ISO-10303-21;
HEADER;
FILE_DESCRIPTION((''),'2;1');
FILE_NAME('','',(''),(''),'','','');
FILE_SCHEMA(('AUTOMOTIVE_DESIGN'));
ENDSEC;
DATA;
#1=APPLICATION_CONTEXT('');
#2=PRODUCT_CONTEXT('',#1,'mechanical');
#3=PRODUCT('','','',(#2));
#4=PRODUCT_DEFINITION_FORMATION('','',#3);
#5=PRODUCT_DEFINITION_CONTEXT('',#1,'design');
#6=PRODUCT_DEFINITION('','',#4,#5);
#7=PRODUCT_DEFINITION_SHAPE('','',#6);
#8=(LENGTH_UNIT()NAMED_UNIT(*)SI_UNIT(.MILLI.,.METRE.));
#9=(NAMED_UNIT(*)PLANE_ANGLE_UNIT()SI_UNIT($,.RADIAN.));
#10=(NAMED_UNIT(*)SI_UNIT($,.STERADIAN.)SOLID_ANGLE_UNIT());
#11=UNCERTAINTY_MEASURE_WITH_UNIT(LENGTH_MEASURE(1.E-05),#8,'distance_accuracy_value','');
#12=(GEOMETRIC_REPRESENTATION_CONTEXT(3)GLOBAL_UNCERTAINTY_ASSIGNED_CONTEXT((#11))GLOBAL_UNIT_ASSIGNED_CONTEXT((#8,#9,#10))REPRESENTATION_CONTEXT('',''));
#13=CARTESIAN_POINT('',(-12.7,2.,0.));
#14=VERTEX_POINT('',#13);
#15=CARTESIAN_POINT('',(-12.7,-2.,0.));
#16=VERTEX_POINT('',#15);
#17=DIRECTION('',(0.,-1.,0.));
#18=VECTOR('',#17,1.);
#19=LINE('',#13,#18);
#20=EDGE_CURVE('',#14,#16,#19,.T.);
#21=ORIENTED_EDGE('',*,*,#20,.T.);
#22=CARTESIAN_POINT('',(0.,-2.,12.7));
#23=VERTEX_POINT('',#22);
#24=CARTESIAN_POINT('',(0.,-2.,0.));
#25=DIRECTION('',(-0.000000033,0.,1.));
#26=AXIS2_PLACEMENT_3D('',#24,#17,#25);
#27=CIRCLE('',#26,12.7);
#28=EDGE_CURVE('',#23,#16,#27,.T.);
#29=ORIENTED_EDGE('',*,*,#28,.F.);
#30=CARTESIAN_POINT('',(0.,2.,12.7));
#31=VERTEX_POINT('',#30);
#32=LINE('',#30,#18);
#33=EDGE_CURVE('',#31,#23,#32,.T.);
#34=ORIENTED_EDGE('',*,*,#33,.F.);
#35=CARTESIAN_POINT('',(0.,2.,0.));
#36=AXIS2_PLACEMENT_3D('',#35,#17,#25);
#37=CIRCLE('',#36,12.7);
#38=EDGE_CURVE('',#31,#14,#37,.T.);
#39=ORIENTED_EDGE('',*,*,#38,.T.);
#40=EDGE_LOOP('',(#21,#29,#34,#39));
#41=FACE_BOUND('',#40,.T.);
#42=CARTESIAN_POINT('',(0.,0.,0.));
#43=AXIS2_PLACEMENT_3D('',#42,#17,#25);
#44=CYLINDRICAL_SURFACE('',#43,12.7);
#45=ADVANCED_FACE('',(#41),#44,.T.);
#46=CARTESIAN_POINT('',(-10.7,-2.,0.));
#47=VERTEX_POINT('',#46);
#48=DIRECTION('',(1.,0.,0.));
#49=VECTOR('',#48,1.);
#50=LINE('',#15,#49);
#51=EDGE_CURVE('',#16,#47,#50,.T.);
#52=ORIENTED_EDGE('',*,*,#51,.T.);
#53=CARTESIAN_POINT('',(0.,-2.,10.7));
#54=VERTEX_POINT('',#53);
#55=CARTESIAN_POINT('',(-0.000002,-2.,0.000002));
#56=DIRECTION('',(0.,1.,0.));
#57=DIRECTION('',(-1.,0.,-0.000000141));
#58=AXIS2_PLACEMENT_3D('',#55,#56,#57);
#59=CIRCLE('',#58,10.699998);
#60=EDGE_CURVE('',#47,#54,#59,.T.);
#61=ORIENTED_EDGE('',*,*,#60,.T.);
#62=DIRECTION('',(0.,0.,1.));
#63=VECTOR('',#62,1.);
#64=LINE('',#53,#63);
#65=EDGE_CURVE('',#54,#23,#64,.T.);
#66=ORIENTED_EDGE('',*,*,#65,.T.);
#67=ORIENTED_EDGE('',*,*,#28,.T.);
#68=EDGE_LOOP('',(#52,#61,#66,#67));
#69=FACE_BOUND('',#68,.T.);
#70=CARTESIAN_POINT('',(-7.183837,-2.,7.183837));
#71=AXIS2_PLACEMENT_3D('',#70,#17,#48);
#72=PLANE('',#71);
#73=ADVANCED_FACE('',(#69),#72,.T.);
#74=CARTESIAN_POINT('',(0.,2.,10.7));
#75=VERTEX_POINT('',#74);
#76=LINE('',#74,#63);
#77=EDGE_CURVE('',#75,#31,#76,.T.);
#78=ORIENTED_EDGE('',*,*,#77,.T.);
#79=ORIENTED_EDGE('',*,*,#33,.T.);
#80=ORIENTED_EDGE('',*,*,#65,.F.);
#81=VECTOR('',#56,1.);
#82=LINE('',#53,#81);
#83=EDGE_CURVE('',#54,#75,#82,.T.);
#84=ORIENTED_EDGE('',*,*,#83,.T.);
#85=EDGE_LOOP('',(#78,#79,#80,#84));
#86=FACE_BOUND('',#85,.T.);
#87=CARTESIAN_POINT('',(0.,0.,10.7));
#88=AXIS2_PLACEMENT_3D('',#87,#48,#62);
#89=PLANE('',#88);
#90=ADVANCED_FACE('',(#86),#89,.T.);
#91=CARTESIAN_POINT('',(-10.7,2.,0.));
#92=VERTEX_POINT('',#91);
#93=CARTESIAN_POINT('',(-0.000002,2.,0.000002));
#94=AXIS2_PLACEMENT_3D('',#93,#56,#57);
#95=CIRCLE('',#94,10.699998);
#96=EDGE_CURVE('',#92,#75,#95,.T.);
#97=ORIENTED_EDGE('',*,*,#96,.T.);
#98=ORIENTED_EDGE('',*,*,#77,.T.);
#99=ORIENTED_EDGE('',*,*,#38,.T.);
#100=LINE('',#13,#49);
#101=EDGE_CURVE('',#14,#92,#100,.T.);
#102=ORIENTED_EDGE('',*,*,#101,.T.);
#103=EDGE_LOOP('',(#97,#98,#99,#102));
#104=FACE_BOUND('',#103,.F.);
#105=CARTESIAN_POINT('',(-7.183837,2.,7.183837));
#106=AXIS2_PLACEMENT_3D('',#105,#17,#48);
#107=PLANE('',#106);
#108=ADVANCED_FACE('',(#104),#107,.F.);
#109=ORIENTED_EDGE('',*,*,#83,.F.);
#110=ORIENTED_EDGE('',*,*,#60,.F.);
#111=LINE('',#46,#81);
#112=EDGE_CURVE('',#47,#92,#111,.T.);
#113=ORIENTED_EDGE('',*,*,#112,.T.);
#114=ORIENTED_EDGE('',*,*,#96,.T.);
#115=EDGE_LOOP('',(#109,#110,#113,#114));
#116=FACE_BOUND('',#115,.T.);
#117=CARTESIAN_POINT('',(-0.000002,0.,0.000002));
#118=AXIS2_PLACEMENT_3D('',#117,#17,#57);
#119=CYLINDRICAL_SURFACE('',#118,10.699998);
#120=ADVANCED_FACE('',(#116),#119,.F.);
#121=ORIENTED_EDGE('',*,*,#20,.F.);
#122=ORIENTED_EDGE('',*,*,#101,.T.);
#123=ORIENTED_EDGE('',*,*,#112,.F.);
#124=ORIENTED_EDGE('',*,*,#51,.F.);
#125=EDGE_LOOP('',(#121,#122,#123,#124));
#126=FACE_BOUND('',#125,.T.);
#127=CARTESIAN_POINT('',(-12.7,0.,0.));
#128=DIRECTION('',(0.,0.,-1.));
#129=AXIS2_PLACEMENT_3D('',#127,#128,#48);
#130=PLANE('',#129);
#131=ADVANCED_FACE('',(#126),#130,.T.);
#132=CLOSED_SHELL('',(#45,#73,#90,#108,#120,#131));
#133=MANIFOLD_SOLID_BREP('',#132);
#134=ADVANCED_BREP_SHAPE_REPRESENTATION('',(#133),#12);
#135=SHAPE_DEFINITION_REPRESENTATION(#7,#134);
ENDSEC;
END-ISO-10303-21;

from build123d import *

# Parameters (mm, degrees)
F1_DEPTH      = 2
F1_DEPTH_BACK = 2


with BuildPart() as f1:
    # F0 (on Front) → F1 (new body, two sides)
    with BuildSketch(Plane.XZ) as f1_sk:
        with BuildLine():
            Line((0, 10.7), (0, 12.7))
            ThreePointArc((0, 12.7), (-8.980256, 8.980256), (-12.7, 0))
            Line((-12.7, 0), (-10.7, 0))
            ThreePointArc((-10.7, 0), (-7.566043, 7.566043), (0, 10.7))
        make_face()
    extrude(amount=F1_DEPTH)
    extrude(f1_sk.sketch, amount=-F1_DEPTH_BACK)


solid = f1.part
